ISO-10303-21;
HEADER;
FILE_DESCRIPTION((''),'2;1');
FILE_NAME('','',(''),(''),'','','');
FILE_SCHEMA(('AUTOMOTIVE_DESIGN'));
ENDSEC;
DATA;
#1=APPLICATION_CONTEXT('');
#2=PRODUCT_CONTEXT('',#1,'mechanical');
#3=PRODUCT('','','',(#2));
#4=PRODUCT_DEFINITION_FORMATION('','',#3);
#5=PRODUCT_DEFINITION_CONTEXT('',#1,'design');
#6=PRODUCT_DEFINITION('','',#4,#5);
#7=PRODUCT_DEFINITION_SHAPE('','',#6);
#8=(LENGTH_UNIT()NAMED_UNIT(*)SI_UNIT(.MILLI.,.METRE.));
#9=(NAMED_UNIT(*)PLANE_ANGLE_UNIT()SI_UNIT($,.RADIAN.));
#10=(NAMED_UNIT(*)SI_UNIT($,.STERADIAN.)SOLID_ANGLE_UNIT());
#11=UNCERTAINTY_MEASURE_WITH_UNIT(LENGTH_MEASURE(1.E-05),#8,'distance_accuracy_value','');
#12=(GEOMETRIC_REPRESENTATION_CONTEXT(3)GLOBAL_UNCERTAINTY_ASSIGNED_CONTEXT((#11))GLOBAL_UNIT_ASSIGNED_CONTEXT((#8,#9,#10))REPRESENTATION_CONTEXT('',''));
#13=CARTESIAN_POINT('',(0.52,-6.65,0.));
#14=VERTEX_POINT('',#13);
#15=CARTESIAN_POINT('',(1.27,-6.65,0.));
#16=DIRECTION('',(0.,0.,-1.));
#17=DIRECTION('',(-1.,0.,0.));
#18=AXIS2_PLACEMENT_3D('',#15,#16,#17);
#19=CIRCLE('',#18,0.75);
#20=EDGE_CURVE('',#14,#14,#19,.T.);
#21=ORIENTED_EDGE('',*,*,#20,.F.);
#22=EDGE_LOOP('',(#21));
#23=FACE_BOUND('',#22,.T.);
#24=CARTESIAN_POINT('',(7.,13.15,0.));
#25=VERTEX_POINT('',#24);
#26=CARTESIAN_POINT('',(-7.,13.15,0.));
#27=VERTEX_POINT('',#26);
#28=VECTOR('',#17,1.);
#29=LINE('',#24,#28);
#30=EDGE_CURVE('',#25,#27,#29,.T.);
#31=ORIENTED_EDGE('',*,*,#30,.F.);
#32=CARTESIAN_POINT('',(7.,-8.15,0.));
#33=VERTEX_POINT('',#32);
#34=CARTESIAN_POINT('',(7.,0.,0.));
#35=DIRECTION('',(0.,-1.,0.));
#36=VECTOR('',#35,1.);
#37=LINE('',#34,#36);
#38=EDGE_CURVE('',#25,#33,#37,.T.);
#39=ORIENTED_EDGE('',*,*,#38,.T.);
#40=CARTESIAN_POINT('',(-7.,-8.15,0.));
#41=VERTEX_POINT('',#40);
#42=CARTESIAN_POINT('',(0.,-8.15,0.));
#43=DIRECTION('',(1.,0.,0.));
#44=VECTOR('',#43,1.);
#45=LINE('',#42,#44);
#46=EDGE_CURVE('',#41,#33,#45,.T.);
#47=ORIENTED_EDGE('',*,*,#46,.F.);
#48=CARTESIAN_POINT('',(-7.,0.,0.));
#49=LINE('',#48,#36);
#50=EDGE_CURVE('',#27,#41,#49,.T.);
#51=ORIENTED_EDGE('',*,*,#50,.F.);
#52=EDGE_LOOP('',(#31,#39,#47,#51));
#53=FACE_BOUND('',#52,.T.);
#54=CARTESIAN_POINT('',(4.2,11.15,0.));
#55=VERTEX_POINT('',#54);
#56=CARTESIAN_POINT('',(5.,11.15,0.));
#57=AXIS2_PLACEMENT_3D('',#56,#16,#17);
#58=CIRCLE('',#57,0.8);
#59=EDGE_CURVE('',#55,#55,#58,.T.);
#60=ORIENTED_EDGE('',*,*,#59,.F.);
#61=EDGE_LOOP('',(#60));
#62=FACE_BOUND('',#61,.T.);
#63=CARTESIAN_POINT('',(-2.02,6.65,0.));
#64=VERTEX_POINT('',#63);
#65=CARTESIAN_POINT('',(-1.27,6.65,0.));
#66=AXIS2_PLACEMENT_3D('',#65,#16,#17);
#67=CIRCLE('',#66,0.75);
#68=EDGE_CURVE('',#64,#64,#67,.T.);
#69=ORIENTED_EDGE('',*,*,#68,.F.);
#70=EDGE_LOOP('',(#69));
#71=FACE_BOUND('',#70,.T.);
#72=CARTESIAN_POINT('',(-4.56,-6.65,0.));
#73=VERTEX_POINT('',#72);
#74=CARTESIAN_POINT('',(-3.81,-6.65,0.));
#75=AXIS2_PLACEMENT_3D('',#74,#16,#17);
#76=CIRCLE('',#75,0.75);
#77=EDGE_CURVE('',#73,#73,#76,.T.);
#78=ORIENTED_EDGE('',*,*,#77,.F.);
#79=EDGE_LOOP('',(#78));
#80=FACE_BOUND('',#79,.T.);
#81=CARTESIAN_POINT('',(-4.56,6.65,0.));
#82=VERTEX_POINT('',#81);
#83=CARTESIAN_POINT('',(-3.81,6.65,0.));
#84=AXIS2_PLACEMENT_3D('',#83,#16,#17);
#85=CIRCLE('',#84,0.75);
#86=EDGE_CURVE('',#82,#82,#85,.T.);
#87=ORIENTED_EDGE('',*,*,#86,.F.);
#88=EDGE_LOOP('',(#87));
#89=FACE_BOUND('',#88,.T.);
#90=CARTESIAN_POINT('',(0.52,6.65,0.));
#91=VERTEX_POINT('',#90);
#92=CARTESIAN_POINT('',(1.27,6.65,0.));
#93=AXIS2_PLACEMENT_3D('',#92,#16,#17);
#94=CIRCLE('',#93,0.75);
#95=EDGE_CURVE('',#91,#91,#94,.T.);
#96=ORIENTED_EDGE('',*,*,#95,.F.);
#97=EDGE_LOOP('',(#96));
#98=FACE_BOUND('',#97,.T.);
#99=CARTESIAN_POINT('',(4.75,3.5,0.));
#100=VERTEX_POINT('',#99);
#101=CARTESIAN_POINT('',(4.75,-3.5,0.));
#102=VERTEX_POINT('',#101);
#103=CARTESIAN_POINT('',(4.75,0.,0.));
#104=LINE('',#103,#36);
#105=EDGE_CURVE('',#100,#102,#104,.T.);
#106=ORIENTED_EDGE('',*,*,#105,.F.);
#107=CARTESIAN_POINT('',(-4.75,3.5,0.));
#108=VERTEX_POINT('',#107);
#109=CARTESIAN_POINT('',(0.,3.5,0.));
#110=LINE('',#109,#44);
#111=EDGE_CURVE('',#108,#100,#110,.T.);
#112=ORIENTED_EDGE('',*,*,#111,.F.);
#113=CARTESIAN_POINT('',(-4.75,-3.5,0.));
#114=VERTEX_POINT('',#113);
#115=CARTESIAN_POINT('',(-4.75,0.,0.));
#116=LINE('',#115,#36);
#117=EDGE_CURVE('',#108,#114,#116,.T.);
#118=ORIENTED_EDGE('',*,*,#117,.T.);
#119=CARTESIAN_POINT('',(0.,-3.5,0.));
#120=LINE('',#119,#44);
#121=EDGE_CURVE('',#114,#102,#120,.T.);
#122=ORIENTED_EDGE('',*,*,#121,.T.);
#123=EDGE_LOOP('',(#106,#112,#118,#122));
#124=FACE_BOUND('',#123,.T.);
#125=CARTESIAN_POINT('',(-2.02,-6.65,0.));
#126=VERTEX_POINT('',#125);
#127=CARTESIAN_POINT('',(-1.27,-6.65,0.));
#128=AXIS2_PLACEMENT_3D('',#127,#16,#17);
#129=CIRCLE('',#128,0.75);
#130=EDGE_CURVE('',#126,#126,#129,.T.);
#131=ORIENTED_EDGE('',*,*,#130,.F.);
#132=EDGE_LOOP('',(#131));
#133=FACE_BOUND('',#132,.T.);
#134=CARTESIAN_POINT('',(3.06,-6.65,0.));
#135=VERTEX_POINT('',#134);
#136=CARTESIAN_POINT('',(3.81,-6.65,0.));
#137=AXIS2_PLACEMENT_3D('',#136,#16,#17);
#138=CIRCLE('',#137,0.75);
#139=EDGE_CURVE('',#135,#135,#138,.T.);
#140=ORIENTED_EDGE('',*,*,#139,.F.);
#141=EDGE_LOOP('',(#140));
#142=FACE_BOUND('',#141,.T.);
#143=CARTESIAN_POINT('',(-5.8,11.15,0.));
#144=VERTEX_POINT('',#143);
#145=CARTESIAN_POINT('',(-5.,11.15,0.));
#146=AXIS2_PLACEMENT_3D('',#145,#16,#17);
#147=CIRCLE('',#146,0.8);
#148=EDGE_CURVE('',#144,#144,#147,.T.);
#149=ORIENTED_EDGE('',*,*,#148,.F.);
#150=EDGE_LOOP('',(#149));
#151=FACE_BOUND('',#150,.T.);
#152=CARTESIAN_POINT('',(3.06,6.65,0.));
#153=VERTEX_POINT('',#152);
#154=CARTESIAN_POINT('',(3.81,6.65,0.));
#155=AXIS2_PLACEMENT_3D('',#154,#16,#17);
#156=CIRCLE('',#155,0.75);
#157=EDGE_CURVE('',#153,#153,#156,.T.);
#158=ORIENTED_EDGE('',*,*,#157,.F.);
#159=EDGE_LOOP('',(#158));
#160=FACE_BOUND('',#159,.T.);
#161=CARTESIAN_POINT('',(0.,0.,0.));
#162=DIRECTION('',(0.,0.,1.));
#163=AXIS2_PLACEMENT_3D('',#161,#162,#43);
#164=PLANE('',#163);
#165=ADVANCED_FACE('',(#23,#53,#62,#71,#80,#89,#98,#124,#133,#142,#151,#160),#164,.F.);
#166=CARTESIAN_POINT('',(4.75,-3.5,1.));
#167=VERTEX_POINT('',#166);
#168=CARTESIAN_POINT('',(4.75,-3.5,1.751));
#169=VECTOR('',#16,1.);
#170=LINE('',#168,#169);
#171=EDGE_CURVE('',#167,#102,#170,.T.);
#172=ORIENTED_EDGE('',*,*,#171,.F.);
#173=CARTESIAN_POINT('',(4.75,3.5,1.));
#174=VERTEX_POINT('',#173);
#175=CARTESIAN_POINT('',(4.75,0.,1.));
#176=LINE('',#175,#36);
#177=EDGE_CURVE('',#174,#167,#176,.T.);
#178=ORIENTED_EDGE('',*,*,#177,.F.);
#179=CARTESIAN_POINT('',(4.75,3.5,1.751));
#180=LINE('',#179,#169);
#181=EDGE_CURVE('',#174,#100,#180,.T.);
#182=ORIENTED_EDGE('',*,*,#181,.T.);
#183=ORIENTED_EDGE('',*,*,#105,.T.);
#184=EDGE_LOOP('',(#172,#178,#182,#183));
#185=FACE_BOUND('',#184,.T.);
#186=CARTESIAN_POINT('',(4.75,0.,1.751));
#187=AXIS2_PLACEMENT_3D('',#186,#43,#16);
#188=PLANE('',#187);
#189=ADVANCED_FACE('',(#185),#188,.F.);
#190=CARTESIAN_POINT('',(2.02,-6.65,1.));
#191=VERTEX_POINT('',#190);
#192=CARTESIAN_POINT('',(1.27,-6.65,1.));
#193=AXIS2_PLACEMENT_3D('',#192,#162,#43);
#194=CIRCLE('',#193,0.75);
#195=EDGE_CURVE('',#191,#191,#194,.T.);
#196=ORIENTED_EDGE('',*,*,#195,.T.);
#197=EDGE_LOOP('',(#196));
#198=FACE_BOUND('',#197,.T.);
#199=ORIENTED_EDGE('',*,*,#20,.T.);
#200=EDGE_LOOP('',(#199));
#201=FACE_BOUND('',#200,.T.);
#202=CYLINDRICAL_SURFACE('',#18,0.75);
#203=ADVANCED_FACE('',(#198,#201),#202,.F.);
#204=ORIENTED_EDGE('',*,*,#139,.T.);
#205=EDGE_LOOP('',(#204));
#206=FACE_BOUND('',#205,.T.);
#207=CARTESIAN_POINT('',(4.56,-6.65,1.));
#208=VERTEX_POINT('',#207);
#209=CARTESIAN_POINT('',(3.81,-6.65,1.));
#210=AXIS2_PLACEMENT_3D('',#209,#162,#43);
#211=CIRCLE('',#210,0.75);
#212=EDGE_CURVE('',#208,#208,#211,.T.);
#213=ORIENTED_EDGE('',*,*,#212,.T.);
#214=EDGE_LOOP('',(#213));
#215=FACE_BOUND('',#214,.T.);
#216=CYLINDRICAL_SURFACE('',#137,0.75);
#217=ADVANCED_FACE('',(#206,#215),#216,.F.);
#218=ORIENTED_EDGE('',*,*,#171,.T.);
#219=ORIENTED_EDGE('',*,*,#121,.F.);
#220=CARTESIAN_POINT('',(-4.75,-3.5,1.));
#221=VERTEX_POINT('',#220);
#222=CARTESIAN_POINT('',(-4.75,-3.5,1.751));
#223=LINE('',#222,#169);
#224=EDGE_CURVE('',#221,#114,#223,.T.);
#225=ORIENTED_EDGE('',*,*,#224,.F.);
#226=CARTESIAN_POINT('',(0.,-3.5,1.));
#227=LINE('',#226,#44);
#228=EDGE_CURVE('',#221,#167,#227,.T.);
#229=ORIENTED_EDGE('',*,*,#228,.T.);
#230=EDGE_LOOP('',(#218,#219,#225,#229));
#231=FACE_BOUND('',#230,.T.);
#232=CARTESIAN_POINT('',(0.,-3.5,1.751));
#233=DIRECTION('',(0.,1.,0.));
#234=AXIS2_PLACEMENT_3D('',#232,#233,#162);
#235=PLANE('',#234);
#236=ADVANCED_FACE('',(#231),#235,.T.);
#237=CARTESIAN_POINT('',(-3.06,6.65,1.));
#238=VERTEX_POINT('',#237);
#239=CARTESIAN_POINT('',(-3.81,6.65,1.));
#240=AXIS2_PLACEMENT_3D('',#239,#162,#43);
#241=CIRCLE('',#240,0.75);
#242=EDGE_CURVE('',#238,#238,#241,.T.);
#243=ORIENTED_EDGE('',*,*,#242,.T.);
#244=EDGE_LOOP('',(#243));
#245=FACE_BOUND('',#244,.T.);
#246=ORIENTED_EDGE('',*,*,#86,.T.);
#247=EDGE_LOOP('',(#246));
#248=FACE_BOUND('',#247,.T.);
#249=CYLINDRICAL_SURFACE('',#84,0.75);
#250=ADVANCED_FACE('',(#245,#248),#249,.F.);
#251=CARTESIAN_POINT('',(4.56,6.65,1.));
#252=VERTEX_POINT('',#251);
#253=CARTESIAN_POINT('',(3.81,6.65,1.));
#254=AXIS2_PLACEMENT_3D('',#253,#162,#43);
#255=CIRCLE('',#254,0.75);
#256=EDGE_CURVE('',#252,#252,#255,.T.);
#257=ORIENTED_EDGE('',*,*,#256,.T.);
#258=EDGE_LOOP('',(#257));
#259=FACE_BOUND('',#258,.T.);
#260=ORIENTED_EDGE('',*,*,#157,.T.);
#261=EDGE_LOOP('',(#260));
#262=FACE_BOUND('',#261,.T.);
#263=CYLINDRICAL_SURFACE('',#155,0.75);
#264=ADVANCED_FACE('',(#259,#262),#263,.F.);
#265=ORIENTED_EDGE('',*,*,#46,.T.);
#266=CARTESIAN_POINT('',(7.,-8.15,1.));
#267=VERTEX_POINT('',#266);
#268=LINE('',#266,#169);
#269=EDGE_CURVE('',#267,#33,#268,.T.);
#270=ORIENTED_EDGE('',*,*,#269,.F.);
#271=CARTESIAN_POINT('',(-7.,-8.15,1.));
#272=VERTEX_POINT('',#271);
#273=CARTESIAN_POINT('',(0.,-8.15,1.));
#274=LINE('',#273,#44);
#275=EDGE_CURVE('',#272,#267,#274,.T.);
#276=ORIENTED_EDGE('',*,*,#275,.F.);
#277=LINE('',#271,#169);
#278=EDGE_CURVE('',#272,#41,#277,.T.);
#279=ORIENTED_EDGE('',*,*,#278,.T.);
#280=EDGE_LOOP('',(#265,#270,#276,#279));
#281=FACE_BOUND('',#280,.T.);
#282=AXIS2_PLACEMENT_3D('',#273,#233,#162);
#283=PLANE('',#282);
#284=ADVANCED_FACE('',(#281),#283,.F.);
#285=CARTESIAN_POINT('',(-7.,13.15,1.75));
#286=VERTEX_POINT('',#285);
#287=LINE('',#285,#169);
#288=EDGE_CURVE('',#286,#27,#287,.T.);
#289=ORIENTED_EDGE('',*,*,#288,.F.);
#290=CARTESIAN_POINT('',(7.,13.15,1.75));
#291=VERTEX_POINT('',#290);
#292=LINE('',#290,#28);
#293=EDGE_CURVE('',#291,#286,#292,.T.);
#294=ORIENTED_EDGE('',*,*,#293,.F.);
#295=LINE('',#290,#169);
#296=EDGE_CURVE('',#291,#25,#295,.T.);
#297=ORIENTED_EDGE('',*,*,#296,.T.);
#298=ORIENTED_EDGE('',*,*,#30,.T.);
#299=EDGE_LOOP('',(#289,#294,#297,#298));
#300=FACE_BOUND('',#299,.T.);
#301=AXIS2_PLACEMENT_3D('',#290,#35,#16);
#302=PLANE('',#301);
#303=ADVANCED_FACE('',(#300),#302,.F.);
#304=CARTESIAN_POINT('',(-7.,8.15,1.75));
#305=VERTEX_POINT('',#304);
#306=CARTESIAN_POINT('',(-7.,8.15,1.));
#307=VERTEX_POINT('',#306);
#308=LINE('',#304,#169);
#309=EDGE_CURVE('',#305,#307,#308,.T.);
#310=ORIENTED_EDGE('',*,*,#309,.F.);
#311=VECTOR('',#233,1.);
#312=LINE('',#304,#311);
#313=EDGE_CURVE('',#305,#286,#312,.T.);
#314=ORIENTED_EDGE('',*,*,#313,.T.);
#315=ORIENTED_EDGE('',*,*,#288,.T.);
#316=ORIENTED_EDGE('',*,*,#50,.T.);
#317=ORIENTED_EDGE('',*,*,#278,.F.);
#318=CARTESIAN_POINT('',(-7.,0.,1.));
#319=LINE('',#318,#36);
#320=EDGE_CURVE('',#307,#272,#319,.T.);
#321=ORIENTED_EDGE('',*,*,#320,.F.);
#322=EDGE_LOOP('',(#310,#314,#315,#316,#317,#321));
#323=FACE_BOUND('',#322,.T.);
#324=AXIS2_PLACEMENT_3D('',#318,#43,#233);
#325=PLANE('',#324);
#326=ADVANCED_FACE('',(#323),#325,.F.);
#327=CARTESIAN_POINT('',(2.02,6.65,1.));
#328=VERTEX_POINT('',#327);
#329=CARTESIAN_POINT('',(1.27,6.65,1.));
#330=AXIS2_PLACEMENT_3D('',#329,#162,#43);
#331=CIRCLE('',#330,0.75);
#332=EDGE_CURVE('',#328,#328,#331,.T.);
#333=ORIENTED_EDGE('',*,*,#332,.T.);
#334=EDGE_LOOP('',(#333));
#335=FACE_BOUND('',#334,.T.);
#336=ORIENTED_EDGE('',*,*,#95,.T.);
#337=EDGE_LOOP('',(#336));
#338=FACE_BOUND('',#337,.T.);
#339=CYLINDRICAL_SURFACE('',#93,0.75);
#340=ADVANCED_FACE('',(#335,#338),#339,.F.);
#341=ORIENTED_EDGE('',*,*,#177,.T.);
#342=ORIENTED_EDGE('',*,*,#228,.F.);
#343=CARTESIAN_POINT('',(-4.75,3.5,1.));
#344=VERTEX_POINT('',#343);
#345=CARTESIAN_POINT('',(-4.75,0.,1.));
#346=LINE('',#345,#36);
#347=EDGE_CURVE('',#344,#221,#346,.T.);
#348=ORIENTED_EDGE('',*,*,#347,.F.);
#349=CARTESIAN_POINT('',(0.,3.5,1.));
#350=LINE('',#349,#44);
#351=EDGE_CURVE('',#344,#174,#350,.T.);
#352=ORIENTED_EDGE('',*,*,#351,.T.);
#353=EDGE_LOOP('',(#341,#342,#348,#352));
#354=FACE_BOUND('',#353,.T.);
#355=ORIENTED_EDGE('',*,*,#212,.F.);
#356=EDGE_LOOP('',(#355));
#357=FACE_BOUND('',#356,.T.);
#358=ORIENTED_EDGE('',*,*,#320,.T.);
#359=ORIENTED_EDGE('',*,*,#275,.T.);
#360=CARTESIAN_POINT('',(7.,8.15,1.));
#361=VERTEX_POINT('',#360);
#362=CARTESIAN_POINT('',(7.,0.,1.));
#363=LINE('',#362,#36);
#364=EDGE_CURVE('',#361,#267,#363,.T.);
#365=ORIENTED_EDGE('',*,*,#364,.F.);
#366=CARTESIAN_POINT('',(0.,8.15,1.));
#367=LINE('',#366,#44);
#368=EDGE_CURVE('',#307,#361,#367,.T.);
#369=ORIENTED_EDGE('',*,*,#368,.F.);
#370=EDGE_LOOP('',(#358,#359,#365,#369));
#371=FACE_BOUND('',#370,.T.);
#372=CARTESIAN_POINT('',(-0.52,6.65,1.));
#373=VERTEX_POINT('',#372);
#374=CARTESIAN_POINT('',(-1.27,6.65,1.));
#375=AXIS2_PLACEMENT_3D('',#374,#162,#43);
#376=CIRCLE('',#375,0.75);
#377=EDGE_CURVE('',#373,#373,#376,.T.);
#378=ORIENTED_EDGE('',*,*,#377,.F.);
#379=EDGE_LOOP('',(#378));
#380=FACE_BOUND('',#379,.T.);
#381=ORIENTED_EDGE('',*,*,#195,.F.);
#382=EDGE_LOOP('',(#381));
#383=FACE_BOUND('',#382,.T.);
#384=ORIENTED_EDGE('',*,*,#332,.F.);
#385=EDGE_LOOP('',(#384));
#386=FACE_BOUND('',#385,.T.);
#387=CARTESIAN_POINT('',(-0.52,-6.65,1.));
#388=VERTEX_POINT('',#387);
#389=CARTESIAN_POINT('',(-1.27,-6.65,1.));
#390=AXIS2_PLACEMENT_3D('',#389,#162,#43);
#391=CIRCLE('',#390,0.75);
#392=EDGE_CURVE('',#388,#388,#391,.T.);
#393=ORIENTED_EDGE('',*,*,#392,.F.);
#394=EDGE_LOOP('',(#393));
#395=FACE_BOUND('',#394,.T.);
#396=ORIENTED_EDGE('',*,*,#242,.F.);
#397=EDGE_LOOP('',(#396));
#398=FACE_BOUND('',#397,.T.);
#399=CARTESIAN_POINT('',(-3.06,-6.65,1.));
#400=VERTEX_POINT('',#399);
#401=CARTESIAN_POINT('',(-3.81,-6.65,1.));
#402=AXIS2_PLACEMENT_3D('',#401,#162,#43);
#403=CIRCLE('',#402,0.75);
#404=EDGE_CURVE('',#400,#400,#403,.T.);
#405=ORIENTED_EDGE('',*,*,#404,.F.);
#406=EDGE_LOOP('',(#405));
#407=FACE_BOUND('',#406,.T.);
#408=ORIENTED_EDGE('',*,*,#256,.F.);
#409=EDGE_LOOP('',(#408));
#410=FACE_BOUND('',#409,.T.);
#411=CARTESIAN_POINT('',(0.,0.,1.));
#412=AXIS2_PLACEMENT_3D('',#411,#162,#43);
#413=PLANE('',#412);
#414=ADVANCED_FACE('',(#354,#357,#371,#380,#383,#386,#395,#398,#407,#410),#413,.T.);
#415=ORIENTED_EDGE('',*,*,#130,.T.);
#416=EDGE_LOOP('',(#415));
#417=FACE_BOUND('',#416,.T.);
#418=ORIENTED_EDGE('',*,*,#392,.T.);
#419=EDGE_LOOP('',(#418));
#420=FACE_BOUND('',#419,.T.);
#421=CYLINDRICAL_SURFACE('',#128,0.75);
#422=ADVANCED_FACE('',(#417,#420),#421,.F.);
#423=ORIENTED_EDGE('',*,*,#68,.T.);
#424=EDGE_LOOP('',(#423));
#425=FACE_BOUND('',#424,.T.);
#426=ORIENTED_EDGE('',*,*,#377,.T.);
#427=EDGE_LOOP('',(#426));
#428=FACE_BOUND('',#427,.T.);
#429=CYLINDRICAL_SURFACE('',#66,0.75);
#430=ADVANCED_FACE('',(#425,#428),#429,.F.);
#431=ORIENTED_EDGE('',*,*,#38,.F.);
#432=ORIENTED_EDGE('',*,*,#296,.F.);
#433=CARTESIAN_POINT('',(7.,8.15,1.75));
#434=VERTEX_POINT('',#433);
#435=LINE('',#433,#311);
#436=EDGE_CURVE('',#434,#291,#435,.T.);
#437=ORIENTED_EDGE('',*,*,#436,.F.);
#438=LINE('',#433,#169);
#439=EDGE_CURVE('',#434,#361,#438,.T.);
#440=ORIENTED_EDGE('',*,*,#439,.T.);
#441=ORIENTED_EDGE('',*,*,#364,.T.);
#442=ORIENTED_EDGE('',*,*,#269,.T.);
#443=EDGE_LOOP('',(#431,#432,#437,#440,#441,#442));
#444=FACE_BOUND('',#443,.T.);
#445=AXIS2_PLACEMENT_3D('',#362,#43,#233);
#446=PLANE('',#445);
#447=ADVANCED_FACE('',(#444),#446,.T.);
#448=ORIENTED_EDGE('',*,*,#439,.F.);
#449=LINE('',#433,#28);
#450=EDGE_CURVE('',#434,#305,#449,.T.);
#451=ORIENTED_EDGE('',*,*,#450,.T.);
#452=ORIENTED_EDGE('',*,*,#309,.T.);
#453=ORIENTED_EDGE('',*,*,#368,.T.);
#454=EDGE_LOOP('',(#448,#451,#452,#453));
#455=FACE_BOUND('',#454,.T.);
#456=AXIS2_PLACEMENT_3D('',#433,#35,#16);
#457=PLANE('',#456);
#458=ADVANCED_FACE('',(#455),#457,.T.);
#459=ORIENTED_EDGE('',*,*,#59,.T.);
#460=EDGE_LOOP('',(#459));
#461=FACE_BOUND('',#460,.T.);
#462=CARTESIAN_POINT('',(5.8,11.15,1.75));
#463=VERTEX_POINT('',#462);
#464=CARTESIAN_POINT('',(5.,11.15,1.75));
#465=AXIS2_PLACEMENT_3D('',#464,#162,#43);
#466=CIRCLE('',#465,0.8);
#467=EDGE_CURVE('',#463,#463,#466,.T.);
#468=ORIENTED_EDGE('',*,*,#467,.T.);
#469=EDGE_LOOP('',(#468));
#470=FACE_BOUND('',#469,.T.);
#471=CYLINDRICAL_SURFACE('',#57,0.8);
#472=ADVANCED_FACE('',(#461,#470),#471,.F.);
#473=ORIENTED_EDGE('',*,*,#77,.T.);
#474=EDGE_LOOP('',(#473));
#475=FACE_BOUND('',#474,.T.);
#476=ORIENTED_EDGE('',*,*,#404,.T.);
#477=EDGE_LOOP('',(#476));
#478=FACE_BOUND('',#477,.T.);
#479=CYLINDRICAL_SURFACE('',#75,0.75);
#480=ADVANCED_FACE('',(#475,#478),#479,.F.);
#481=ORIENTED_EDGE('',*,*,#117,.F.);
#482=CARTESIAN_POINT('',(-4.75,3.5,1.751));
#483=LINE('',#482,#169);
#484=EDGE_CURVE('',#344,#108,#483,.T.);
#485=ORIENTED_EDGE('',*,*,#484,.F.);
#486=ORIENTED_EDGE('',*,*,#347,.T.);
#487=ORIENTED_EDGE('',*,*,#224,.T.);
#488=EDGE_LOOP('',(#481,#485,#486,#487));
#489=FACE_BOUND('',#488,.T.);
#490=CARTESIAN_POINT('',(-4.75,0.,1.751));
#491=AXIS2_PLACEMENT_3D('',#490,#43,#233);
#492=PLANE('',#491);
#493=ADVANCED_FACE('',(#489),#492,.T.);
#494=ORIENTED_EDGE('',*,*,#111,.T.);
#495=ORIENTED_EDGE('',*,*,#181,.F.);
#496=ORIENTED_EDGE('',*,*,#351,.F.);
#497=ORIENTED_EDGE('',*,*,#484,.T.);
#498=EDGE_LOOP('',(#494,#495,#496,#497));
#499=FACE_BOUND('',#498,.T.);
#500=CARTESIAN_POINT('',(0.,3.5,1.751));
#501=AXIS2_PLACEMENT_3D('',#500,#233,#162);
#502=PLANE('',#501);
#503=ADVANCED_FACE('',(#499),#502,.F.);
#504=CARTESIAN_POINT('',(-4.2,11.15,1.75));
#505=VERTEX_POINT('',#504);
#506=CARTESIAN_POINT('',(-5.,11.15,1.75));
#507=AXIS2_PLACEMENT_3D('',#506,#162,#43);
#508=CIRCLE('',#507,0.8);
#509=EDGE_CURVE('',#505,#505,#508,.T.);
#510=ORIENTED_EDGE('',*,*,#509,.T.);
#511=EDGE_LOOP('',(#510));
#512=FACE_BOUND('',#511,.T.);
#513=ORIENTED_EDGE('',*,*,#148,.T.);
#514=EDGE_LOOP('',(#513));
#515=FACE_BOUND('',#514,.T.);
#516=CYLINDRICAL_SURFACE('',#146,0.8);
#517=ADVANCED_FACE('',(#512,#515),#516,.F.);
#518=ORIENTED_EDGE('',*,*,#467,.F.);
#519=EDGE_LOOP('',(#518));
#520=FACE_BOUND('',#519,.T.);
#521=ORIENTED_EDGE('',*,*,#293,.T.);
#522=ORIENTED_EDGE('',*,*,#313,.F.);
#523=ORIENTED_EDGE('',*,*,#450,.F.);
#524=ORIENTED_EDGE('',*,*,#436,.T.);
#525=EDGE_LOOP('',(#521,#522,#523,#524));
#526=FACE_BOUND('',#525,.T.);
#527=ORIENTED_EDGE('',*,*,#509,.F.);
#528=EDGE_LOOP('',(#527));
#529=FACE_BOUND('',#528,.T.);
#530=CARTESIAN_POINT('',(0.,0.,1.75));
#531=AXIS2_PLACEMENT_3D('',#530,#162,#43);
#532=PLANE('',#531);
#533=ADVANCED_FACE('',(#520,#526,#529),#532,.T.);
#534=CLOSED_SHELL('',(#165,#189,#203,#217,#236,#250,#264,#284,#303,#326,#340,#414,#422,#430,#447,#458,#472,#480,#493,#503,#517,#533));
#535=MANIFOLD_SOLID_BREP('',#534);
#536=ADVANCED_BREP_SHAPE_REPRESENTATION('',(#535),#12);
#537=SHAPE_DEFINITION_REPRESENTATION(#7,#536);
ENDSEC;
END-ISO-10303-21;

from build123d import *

# Parameters (mm, degrees)
SKETCH1_W                   = 14
SKETCH1_H                   = 16.3
SKETCH1_W_2                 = 10
SKETCH1_H_2                 = 13.3
SKETCH1_W_3                 = 9.5
SKETCH1_H_3                 = 7
CAP_EXTRUDE_DEPTH           = 1
SKETCH1_7_W                 = 14
SKETCH1_7_H                 = 5
FLAP_EXTRUDE_DEPTH          = 1.75
CUT_EXTRUDE2_REACH          = 3.75
SKETCH1_9_W                 = 9.5
SKETCH1_9_H                 = 7
F_1_5MM_DOWEL_HOLE1_D       = 1.5
F_1_5MM_DOWEL_HOLE1_DEPTH   = 1
TAP_DRILL_FOR_M2_TAP1_D     = 1.6
TAP_DRILL_FOR_M2_TAP1_DEPTH = 1.75


with BuildPart() as part:
    # Sketch1 → cap_extrude (new body)
    with BuildSketch(Plane.XY):
        Rectangle(SKETCH1_W, SKETCH1_H)
        Rectangle(SKETCH1_W_2, SKETCH1_H_2, mode=Mode.SUBTRACT)
        Rectangle(SKETCH1_W_2, SKETCH1_H_2)
        Rectangle(SKETCH1_W_3, SKETCH1_H_3, mode=Mode.SUBTRACT)
        Rectangle(SKETCH1_W_3, SKETCH1_H_3)
    extrude(amount=CAP_EXTRUDE_DEPTH)

    # Sketch1<7> → flap_extrude (add)
    with BuildSketch(Plane.XY):
        with Locations((0, 10.65)):
            Rectangle(SKETCH1_7_W, SKETCH1_7_H)
    extrude(amount=FLAP_EXTRUDE_DEPTH)

    # Sketch1<9> → Cut-Extrude2 (cut, up to next)
    with BuildSketch(Plane.XY, mode=Mode.PRIVATE) as cut_extrude2_sk1:
        Rectangle(SKETCH1_9_W, SKETCH1_9_H)
    cut_extrude2_tool1 = extrude(cut_extrude2_sk1.sketch, amount=CUT_EXTRUDE2_REACH, mode=Mode.PRIVATE) & part.part
    add(cut_extrude2_tool1.solids().sort_by_distance((0, 0, 0))[0], mode=Mode.SUBTRACT)

    # Ø1.5mm Dowel Hole1
    with Locations(Plane(origin=(0, 0, 0), x_dir=(-1, 0, 0), z_dir=(0, 0, -1))):
        with Locations((3.81, 6.65), (1.27, 6.65), (-1.27, 6.65), (-3.81, 6.65), (-3.81, -6.65), (-1.27, -6.65), (1.27, -6.65), (3.81, -6.65)):
            Hole(F_1_5MM_DOWEL_HOLE1_D / 2, depth=F_1_5MM_DOWEL_HOLE1_DEPTH)

    # Tap Drill for M2 Tap1
    with Locations(Plane(origin=(0, 0, 0), x_dir=(-1, 0, 0), z_dir=(0, 0, -1))):
        with Locations((-5, 11.15), (5, 11.15)):
            Hole(TAP_DRILL_FOR_M2_TAP1_D / 2, depth=TAP_DRILL_FOR_M2_TAP1_DEPTH)


solid = part.part
